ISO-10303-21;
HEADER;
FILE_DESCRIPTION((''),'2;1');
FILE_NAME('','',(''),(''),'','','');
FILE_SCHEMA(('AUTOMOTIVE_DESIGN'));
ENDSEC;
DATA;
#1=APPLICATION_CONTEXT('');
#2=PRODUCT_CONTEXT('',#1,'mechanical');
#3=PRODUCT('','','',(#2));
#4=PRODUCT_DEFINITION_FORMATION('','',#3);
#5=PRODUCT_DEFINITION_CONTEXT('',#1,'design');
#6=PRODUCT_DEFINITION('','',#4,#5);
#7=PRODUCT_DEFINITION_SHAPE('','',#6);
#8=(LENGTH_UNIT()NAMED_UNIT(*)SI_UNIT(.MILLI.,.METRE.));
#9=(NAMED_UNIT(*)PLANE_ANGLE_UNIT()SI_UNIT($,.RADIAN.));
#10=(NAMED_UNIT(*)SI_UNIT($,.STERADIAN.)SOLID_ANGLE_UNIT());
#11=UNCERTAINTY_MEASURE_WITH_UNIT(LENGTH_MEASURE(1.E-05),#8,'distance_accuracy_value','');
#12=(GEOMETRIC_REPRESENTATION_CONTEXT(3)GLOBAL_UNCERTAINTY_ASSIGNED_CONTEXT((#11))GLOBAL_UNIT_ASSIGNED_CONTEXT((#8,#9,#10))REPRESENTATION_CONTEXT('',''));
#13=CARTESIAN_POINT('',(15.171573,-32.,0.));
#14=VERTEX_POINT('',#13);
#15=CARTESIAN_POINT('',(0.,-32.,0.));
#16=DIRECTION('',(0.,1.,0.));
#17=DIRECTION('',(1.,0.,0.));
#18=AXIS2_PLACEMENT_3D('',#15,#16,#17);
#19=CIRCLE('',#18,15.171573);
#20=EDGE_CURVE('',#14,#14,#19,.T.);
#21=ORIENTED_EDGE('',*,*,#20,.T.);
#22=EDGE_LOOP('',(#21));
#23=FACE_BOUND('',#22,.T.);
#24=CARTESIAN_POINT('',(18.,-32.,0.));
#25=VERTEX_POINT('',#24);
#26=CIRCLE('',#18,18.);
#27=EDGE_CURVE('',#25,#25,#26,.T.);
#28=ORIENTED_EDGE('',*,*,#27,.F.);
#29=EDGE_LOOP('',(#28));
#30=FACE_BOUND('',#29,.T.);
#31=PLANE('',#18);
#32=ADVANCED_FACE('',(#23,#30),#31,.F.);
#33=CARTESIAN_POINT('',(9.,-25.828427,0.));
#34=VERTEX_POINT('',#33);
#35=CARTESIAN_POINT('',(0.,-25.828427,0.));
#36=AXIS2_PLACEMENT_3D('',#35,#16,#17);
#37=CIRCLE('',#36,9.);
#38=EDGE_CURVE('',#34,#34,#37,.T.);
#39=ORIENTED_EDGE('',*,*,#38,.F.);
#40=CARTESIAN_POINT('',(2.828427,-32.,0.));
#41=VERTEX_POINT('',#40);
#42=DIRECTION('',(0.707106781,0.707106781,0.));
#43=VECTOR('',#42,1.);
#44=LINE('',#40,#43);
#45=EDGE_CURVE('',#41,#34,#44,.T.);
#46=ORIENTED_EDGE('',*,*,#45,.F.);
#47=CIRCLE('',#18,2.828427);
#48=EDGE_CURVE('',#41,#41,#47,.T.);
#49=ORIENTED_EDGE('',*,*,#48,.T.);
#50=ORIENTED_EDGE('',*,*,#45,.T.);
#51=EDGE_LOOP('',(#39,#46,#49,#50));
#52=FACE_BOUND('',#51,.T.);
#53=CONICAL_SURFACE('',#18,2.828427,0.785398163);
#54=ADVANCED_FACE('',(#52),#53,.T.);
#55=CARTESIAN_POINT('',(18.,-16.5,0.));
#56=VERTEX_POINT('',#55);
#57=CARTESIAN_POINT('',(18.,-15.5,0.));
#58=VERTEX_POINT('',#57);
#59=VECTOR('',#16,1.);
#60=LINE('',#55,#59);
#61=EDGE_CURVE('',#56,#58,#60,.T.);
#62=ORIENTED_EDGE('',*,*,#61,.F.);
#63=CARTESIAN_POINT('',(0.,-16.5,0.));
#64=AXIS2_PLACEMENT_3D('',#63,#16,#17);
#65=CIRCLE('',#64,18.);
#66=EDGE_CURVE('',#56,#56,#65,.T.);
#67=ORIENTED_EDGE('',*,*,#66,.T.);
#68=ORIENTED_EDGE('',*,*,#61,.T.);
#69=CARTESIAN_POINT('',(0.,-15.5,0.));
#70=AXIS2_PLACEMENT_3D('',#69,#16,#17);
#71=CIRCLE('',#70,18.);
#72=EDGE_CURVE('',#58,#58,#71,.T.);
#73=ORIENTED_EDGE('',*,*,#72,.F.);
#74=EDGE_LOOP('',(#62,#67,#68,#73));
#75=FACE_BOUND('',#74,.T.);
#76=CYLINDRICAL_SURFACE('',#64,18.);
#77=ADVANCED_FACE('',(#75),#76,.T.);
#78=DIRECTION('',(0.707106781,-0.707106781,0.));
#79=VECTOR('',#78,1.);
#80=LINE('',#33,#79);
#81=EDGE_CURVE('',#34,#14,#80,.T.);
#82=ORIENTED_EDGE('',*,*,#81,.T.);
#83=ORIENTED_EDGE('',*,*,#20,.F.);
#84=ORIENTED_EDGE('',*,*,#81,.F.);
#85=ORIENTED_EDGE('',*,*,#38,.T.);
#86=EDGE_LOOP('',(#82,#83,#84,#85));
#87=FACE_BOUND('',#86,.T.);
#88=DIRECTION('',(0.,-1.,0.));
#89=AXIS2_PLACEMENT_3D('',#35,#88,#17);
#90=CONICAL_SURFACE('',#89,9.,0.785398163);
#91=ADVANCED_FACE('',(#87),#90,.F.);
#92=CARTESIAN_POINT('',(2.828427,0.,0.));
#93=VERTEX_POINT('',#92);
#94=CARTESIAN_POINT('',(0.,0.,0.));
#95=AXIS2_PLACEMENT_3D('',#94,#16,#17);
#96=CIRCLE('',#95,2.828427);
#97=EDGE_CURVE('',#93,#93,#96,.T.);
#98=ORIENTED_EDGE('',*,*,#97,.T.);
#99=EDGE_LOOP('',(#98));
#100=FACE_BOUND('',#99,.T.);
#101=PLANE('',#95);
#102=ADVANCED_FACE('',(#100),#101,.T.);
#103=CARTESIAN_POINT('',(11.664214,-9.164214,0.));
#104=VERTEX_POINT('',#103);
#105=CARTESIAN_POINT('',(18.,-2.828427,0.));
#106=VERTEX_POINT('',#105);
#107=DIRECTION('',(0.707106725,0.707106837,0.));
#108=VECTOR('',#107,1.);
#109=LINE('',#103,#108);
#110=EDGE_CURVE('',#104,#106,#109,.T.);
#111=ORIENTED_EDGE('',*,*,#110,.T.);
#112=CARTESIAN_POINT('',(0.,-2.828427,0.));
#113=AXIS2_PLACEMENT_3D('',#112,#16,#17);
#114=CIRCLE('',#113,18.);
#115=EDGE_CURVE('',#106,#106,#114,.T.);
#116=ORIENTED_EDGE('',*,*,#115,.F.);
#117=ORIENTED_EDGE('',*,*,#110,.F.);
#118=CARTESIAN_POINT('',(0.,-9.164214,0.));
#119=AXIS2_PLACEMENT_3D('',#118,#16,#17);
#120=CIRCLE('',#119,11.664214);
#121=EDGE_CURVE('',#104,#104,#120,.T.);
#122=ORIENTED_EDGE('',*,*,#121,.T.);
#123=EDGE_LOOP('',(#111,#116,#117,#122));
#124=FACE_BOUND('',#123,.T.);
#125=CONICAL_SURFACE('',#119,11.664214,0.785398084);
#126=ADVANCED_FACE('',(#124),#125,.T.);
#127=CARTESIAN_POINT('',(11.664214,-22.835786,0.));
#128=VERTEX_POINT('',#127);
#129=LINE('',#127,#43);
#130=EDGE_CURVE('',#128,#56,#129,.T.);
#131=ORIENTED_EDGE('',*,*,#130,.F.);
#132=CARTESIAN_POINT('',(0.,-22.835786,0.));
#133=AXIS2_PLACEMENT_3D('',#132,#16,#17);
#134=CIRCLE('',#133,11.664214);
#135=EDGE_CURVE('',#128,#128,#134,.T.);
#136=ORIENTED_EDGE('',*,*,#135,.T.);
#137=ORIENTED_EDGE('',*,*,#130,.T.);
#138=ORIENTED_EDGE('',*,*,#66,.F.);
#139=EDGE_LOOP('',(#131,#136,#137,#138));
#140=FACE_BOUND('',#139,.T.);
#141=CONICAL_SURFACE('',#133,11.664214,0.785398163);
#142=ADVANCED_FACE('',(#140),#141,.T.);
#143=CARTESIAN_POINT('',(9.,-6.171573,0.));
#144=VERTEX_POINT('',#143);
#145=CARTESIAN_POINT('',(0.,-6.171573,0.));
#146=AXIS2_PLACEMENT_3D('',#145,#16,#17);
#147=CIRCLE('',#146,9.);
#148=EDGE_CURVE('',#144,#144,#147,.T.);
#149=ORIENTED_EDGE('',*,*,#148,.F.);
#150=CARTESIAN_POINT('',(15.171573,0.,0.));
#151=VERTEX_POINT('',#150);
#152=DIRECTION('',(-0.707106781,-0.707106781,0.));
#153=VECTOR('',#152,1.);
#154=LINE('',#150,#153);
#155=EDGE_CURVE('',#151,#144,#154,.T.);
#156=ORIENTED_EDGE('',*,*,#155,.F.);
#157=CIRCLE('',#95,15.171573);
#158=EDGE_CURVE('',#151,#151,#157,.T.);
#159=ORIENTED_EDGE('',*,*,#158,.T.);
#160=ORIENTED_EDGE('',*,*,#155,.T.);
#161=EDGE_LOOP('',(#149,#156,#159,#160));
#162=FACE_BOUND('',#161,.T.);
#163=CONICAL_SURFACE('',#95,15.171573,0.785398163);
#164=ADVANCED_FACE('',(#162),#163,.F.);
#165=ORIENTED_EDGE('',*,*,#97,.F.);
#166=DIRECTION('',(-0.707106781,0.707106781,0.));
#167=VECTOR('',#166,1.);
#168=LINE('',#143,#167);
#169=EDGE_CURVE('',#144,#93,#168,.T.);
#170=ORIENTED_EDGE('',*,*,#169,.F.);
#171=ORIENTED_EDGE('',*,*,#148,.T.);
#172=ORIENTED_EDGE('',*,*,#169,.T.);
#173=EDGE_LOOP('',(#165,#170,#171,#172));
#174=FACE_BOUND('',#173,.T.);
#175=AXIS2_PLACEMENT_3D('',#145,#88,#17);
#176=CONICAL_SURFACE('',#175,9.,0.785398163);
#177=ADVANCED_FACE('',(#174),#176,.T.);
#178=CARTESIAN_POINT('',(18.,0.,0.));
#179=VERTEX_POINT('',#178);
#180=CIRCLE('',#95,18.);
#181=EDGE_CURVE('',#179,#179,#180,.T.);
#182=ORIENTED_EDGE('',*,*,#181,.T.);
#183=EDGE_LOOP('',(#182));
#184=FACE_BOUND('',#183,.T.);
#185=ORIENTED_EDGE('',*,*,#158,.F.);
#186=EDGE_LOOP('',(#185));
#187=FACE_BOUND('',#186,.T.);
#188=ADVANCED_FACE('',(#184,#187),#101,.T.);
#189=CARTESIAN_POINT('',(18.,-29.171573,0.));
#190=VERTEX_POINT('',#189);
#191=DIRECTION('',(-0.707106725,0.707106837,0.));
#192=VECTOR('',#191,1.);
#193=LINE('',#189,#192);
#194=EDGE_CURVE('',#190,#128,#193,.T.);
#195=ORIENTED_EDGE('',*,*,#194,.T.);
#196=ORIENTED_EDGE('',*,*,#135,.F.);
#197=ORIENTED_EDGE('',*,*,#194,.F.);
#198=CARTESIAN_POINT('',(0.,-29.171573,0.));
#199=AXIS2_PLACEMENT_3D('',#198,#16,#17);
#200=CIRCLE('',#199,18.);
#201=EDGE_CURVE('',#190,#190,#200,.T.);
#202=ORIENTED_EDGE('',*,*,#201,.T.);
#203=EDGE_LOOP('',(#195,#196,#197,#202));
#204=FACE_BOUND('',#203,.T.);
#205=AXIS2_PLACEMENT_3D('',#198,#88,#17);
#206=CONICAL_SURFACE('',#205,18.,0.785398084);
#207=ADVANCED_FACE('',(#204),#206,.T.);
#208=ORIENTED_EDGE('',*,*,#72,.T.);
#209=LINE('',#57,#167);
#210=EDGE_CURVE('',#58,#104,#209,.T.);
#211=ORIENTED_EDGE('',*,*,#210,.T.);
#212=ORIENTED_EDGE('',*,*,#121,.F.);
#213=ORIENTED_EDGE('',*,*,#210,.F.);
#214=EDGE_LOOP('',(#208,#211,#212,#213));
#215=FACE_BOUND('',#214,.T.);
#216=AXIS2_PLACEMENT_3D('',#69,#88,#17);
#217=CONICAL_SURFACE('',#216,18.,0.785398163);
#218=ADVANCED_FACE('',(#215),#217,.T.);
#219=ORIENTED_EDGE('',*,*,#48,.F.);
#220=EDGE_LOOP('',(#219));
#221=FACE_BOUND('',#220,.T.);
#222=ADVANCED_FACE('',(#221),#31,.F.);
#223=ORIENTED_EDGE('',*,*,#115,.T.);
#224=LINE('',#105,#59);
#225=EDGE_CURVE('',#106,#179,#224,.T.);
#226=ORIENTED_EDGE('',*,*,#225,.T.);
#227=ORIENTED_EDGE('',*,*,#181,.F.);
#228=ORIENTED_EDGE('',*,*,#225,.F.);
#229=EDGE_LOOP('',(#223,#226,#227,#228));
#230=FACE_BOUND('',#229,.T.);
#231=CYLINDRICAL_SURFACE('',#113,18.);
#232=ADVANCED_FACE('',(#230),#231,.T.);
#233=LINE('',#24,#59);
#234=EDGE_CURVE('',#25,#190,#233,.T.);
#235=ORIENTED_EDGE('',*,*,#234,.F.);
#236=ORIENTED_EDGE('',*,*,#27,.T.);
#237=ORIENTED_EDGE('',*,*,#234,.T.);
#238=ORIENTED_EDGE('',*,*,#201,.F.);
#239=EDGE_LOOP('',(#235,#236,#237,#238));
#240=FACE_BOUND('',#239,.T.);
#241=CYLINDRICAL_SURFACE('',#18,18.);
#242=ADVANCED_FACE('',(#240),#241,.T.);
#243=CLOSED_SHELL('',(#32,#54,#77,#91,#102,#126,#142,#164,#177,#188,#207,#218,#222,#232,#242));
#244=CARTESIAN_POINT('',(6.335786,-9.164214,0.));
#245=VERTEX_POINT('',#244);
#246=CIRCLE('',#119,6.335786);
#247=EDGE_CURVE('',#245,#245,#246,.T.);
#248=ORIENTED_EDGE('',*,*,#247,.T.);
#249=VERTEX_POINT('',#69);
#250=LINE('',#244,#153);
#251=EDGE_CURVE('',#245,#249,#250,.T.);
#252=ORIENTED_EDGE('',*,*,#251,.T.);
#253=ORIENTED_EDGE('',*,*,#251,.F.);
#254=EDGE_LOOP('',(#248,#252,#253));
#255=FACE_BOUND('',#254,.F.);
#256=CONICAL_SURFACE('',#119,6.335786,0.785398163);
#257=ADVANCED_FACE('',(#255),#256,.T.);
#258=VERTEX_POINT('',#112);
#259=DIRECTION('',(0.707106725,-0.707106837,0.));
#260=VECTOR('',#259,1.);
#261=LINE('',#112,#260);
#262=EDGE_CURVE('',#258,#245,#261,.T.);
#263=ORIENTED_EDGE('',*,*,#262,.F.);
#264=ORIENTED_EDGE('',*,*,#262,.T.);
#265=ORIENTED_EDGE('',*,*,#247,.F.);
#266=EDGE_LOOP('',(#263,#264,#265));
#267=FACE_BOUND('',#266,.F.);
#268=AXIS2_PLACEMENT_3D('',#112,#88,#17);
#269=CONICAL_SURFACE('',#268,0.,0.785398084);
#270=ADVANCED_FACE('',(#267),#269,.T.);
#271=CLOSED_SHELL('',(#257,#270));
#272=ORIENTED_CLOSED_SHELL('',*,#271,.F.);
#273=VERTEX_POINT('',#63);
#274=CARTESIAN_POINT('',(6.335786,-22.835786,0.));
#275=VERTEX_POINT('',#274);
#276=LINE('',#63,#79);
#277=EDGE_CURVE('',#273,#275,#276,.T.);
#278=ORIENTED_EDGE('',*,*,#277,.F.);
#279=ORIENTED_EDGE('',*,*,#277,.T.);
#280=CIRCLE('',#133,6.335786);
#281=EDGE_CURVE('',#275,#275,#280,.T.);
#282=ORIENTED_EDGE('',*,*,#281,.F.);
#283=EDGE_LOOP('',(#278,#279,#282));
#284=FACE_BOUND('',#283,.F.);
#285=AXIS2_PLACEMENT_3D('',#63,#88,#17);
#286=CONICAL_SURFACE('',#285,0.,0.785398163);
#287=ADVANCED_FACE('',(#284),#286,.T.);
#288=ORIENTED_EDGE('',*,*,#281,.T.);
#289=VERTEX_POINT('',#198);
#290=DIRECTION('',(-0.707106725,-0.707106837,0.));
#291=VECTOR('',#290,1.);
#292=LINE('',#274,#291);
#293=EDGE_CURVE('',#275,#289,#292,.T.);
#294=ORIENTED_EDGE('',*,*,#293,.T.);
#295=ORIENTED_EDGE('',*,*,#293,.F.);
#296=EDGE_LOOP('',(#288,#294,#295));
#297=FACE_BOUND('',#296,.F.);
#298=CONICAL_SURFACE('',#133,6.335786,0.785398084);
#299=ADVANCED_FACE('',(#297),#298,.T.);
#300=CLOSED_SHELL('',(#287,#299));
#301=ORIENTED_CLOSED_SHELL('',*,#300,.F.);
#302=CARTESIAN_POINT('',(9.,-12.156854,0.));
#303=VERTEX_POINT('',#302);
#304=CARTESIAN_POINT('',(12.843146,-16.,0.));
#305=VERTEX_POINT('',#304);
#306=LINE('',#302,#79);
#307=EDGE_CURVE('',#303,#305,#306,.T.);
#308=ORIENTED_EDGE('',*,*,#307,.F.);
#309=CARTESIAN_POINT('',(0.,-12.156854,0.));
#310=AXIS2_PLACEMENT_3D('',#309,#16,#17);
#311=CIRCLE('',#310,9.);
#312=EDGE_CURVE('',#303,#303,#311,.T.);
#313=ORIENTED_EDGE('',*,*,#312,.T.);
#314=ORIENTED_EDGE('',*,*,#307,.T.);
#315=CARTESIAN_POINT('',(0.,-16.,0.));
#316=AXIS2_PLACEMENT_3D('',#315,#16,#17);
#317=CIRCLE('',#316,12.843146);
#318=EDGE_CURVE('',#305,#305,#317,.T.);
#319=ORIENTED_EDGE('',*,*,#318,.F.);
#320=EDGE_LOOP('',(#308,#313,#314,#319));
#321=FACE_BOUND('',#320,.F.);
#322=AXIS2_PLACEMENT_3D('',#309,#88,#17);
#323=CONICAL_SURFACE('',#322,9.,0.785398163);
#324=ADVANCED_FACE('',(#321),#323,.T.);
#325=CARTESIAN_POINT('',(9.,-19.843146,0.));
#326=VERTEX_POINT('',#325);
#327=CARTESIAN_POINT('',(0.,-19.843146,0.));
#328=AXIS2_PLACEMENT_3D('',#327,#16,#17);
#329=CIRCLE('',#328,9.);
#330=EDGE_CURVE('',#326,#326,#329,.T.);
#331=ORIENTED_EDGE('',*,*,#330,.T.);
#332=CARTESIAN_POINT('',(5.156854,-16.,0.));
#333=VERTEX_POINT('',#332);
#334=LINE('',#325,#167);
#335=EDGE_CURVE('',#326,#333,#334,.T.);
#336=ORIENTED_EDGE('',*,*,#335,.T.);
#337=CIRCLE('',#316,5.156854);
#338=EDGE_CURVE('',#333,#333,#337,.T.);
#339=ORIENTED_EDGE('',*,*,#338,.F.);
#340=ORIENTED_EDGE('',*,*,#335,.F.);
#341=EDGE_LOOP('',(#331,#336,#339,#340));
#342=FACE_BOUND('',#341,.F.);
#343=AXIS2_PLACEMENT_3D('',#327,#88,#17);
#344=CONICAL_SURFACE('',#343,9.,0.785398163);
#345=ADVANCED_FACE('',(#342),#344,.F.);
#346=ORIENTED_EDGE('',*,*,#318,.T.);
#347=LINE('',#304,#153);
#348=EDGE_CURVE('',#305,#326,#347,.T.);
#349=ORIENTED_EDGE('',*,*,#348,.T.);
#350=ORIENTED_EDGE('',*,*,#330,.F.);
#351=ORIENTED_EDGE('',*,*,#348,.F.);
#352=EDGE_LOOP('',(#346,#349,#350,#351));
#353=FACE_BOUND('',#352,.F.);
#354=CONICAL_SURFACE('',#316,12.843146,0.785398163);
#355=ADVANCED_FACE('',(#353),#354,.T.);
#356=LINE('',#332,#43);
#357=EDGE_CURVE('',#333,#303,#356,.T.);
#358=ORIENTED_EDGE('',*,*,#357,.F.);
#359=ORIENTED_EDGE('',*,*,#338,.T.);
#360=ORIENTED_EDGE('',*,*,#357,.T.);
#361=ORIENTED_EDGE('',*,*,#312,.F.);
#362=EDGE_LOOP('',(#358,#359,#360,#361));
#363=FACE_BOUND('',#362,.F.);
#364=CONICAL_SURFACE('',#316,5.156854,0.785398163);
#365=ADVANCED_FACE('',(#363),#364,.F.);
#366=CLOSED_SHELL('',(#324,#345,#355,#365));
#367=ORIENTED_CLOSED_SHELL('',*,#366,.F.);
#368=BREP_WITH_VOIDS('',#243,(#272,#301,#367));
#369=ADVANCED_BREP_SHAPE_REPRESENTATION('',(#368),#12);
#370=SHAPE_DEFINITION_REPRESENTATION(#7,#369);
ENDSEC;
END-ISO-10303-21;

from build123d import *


with BuildPart() as f1:
    # F0 (on Top) → F1 (revolve)
    with BuildSketch(Plane.XY):
        Polygon((2.828427, 0), (0, 0), (0, -2.828427), (6.335786, -9.164214), (0, -15.5), (0, -16.5), (6.335786, -22.835786), (0, -29.171573), (0, -32), (2.828427, -32), (9, -25.828427), (15.171573, -32), (18, -32), (18, -29.171573), (11.664214, -22.835786), (18, -16.5), (18, -15.5), (11.664214, -9.164214), (18, -2.828427), (18, 0), (15.171573, 0), (9, -6.171573), align=None)
        Polygon((5.156854, -16), (9, -12.156854), (12.843146, -16), (9, -19.843146), align=None, mode=Mode.SUBTRACT)
    revolve(axis=Axis((0, -1.414214, 0), (0, 1, 0)))


solid = f1.part
